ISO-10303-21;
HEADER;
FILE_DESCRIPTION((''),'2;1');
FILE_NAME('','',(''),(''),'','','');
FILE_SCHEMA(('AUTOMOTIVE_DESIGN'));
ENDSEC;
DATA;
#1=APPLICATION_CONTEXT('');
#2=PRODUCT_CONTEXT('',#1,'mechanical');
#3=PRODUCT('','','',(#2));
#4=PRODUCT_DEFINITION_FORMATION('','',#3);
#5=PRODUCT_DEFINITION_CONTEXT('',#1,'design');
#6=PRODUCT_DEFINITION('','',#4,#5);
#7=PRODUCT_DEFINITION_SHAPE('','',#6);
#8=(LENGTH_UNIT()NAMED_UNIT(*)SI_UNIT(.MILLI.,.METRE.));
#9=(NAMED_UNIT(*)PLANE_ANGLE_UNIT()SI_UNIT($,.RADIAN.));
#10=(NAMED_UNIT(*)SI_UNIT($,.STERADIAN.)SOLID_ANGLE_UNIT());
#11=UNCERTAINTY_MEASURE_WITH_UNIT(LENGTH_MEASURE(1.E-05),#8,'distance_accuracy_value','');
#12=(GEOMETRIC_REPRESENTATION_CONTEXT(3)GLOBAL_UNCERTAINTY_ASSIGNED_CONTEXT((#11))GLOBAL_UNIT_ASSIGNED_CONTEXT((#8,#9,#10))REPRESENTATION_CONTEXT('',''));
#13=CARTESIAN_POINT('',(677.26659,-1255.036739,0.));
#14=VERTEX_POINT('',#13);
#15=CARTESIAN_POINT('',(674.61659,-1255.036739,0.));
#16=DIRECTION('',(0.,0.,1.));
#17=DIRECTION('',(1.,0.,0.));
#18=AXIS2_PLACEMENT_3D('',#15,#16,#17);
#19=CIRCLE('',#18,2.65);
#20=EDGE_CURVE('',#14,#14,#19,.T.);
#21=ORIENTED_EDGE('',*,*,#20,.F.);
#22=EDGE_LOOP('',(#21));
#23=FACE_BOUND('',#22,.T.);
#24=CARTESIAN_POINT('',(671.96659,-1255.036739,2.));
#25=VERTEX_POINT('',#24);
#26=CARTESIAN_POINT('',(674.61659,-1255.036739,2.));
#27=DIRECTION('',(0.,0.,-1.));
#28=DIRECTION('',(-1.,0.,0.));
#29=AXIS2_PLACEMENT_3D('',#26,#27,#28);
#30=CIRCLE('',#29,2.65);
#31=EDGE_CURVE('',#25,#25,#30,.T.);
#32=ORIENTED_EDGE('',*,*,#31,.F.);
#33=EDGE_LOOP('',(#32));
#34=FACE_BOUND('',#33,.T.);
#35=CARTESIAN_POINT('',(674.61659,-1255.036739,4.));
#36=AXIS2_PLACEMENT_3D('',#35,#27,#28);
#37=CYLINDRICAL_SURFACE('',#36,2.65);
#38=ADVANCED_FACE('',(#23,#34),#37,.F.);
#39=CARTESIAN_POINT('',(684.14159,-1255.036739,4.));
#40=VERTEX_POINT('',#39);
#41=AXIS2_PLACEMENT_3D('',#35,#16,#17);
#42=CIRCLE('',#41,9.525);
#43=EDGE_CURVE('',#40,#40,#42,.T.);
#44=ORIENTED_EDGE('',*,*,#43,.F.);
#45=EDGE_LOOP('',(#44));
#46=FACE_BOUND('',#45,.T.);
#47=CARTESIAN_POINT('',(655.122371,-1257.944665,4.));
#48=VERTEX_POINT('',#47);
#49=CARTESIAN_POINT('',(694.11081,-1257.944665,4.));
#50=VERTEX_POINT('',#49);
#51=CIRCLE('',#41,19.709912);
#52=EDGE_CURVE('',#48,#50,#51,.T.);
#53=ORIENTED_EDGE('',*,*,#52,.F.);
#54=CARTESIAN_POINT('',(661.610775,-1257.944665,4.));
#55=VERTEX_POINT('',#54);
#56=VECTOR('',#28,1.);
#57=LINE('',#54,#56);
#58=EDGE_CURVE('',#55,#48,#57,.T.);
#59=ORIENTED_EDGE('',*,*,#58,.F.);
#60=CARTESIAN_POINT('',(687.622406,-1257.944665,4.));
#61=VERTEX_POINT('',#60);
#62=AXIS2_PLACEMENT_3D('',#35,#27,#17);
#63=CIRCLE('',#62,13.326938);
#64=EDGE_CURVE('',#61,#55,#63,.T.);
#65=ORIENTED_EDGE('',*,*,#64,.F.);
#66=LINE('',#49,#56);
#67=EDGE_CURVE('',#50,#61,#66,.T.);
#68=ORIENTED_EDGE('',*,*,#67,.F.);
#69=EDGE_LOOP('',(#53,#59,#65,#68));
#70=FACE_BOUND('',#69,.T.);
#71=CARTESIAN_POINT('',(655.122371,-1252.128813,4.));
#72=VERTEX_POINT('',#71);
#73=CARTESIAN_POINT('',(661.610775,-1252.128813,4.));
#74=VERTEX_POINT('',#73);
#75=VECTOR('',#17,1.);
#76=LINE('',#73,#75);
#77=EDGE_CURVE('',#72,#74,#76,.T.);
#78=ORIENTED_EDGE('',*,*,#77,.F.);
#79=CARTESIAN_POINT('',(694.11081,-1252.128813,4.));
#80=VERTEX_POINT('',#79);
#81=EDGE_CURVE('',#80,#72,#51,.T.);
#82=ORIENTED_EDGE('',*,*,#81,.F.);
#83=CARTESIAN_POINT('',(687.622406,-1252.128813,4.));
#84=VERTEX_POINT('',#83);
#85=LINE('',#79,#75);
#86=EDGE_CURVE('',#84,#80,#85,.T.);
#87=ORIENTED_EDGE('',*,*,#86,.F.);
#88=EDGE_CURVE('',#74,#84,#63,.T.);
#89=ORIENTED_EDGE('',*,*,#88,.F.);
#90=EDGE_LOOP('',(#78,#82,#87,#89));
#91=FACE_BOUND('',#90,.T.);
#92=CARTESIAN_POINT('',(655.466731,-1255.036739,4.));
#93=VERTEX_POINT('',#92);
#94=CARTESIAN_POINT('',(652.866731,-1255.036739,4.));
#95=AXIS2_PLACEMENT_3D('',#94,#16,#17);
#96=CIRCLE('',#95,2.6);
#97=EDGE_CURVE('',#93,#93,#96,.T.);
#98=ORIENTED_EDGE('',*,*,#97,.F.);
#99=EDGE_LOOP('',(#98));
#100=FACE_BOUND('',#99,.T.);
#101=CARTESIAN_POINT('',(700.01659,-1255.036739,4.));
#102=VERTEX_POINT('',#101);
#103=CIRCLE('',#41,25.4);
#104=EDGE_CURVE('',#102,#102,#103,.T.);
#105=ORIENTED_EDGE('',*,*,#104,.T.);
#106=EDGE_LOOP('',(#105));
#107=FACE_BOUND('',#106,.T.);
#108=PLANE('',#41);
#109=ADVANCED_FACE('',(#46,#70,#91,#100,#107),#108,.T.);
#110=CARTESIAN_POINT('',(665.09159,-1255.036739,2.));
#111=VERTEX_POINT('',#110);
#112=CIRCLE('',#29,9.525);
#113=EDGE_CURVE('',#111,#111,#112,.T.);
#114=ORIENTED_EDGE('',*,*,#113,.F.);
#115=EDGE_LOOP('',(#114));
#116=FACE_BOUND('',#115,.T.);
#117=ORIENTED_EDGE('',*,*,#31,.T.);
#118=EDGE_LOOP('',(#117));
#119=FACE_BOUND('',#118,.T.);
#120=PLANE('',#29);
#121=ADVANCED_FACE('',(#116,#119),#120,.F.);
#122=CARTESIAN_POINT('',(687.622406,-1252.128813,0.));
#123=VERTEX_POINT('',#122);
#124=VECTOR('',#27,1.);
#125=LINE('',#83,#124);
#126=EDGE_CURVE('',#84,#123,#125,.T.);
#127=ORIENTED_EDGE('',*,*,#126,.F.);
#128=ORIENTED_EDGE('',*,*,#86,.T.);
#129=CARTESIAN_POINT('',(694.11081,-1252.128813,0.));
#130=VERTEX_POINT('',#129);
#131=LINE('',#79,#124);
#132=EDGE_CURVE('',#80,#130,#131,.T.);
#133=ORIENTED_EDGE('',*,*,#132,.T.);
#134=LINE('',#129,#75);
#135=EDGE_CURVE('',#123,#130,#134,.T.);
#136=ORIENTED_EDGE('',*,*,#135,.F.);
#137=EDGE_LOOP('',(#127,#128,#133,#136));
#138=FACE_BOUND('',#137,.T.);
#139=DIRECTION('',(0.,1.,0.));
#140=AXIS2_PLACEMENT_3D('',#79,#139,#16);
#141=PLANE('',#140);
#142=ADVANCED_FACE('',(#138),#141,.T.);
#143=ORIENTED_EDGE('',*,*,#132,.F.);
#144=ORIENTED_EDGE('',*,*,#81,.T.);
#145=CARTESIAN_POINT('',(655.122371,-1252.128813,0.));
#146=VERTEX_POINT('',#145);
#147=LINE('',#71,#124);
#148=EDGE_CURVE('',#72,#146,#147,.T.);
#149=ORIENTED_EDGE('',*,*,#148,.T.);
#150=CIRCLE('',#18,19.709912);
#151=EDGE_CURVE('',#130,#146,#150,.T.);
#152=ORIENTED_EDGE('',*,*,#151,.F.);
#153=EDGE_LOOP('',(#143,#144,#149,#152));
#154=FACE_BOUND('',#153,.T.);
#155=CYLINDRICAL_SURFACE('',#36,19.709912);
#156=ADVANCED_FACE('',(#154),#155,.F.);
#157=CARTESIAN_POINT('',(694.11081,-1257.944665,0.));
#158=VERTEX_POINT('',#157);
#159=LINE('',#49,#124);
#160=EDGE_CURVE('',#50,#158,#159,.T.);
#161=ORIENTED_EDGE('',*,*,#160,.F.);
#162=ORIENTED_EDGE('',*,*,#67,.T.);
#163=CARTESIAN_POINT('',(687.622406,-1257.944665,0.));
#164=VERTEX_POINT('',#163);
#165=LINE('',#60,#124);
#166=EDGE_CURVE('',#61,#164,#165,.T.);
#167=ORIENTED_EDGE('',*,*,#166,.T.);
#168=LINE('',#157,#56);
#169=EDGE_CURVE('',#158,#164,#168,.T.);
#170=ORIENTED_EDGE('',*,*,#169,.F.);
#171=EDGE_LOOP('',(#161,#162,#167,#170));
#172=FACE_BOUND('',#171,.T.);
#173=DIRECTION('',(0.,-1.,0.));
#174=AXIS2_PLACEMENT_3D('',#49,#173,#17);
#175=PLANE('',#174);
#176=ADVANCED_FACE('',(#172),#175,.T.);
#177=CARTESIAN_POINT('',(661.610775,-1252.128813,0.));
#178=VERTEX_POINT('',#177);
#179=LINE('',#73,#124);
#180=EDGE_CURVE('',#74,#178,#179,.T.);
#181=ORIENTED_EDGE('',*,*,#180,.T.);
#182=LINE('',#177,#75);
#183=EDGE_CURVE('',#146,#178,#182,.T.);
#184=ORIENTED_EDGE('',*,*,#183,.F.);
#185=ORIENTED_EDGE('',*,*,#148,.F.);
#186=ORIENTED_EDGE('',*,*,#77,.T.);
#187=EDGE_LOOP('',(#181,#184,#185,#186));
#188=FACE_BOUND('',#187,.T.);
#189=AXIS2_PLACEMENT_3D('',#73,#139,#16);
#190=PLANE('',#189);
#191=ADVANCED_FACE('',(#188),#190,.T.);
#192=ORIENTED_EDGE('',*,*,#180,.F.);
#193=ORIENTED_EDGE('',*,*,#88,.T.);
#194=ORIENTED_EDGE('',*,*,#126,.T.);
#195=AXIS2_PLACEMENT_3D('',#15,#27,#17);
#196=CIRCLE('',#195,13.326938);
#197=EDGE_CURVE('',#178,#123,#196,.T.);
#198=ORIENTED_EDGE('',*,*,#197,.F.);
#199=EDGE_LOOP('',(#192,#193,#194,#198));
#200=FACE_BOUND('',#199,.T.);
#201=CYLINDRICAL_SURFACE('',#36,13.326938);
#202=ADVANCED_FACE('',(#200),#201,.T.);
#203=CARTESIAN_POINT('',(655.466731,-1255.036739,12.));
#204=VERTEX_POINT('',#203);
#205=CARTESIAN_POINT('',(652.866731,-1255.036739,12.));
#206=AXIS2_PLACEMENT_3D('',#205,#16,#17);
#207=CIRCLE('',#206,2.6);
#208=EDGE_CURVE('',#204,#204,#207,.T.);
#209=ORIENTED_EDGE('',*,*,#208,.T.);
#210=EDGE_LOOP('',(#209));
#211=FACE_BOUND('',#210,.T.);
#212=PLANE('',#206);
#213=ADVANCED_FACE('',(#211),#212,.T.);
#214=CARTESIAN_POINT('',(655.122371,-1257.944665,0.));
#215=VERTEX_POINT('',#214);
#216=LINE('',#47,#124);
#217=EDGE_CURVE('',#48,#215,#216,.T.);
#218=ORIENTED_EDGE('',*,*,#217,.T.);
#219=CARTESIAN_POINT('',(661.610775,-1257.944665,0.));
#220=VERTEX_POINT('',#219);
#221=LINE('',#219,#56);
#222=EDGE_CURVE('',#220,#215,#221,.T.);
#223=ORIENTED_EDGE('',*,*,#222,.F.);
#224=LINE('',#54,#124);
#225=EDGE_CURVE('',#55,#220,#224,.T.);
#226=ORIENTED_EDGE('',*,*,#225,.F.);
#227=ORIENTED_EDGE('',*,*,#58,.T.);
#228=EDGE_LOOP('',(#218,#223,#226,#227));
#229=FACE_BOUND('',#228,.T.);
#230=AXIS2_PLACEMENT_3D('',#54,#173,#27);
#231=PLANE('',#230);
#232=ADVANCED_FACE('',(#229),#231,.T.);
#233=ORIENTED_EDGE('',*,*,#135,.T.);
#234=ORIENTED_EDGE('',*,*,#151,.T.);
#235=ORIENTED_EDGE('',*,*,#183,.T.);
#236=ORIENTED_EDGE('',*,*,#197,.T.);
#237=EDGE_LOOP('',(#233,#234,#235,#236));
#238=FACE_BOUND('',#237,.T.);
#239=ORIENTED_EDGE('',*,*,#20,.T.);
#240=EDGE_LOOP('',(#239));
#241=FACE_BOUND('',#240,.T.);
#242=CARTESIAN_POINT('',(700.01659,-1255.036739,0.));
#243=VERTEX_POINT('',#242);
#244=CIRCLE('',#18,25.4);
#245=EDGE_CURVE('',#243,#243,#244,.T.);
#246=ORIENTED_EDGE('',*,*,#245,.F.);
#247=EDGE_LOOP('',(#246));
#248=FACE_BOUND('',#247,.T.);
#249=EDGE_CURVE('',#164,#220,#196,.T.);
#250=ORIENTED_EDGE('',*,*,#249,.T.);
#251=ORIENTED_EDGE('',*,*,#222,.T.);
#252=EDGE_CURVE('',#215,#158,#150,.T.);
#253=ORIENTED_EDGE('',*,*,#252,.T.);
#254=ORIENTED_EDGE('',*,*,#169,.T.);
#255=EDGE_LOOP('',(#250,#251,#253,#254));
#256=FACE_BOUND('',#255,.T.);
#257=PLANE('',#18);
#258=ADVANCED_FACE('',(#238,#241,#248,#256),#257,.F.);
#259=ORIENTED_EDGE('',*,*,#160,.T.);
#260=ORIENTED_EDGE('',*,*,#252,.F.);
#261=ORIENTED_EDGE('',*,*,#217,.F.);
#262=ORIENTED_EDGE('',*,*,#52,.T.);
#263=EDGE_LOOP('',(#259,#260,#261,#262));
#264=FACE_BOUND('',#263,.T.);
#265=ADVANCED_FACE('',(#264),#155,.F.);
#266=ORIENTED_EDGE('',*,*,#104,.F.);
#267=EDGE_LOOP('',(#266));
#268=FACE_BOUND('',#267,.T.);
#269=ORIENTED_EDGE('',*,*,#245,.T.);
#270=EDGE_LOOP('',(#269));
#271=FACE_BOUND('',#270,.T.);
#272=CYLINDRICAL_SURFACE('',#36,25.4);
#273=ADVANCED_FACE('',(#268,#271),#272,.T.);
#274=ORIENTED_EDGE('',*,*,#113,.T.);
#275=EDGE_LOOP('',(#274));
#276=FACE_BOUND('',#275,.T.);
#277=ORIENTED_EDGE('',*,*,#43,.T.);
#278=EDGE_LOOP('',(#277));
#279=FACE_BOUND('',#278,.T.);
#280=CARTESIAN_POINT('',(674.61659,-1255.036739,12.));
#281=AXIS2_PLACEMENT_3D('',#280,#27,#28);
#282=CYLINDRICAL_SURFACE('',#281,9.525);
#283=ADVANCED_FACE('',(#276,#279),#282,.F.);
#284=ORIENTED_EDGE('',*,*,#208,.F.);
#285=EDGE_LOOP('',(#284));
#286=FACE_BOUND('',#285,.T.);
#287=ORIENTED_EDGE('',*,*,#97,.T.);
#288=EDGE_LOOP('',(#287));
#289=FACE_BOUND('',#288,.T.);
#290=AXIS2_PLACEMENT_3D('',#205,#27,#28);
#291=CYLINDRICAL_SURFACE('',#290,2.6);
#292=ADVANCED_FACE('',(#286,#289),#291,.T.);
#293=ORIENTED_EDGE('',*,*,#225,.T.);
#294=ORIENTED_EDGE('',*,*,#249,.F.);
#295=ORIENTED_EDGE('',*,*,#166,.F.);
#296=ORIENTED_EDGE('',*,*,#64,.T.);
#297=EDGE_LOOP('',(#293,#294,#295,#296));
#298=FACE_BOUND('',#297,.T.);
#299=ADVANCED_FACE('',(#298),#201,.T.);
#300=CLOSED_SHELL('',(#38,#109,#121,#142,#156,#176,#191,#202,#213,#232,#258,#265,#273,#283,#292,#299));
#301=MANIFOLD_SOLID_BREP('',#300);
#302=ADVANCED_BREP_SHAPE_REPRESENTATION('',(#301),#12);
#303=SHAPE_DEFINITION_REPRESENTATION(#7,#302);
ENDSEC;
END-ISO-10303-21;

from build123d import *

# Parameters (mm, degrees)
SKETCH1_R           = 25.4
SKETCH1_R_2         = 2.65
BOSS_EXTRUDE1_DEPTH = 4
SKETCH2_R           = 2.6
BOSS_EXTRUDE2_DEPTH = 8
CUT_EXTRUDE2_START  = -2
SKETCH3_R           = 9.525
CUT_EXTRUDE2_DEPTH  = 10


with BuildPart() as part:
    # Sketch1 → Boss-Extrude1 (new body)
    with BuildSketch(Plane.XY):
        with Locations((674.616590385, -1255.036738659)):
            Circle(SKETCH1_R)
        with Locations((674.616590385, -1255.036738659)):
            Circle(SKETCH1_R_2, mode=Mode.SUBTRACT)
        with BuildLine():
            Line((661.61077501, -1252.128812685), (655.122370806, -1252.128812685))
            ThreePointArc((655.122370806, -1252.128812685), (674.616590385, -1235.326826673), (694.110809965, -1252.128812685))
            Line((694.110809965, -1252.128812685), (687.622405761, -1252.128812685))
            ThreePointArc((687.622405761, -1252.128812685), (674.616590385, -1241.709801012), (661.61077501, -1252.128812685))
        make_face(mode=Mode.SUBTRACT)
        with BuildLine():
            Line((661.61077501, -1257.944664633), (655.122370806, -1257.944664633))
            ThreePointArc((655.122370806, -1257.944664633), (674.616590385, -1274.746650645), (694.110809965, -1257.944664633))
            Line((694.110809965, -1257.944664633), (687.622405761, -1257.944664633))
            ThreePointArc((687.622405761, -1257.944664633), (674.616590385, -1268.363676307), (661.61077501, -1257.944664633))
        make_face(mode=Mode.SUBTRACT)
    extrude(amount=BOSS_EXTRUDE1_DEPTH)

    # Sketch2 → Boss-Extrude2 (add)
    with BuildSketch(Plane.XY.offset(4)):
        with Locations((652.866731087, -1255.036738659)):
            Circle(SKETCH2_R)
    extrude(amount=BOSS_EXTRUDE2_DEPTH)

    # Sketch3 → Cut-Extrude2 (cut)
    with BuildSketch(Plane(origin=(0, 0, 0), x_dir=(-1, 0, 0), z_dir=(0, 0, -1)).offset(CUT_EXTRUDE2_START)):
        with Locations((-674.616590385, -1255.036738659)):
            Circle(SKETCH3_R)
    extrude(amount=-CUT_EXTRUDE2_DEPTH, mode=Mode.SUBTRACT)


solid = part.part
